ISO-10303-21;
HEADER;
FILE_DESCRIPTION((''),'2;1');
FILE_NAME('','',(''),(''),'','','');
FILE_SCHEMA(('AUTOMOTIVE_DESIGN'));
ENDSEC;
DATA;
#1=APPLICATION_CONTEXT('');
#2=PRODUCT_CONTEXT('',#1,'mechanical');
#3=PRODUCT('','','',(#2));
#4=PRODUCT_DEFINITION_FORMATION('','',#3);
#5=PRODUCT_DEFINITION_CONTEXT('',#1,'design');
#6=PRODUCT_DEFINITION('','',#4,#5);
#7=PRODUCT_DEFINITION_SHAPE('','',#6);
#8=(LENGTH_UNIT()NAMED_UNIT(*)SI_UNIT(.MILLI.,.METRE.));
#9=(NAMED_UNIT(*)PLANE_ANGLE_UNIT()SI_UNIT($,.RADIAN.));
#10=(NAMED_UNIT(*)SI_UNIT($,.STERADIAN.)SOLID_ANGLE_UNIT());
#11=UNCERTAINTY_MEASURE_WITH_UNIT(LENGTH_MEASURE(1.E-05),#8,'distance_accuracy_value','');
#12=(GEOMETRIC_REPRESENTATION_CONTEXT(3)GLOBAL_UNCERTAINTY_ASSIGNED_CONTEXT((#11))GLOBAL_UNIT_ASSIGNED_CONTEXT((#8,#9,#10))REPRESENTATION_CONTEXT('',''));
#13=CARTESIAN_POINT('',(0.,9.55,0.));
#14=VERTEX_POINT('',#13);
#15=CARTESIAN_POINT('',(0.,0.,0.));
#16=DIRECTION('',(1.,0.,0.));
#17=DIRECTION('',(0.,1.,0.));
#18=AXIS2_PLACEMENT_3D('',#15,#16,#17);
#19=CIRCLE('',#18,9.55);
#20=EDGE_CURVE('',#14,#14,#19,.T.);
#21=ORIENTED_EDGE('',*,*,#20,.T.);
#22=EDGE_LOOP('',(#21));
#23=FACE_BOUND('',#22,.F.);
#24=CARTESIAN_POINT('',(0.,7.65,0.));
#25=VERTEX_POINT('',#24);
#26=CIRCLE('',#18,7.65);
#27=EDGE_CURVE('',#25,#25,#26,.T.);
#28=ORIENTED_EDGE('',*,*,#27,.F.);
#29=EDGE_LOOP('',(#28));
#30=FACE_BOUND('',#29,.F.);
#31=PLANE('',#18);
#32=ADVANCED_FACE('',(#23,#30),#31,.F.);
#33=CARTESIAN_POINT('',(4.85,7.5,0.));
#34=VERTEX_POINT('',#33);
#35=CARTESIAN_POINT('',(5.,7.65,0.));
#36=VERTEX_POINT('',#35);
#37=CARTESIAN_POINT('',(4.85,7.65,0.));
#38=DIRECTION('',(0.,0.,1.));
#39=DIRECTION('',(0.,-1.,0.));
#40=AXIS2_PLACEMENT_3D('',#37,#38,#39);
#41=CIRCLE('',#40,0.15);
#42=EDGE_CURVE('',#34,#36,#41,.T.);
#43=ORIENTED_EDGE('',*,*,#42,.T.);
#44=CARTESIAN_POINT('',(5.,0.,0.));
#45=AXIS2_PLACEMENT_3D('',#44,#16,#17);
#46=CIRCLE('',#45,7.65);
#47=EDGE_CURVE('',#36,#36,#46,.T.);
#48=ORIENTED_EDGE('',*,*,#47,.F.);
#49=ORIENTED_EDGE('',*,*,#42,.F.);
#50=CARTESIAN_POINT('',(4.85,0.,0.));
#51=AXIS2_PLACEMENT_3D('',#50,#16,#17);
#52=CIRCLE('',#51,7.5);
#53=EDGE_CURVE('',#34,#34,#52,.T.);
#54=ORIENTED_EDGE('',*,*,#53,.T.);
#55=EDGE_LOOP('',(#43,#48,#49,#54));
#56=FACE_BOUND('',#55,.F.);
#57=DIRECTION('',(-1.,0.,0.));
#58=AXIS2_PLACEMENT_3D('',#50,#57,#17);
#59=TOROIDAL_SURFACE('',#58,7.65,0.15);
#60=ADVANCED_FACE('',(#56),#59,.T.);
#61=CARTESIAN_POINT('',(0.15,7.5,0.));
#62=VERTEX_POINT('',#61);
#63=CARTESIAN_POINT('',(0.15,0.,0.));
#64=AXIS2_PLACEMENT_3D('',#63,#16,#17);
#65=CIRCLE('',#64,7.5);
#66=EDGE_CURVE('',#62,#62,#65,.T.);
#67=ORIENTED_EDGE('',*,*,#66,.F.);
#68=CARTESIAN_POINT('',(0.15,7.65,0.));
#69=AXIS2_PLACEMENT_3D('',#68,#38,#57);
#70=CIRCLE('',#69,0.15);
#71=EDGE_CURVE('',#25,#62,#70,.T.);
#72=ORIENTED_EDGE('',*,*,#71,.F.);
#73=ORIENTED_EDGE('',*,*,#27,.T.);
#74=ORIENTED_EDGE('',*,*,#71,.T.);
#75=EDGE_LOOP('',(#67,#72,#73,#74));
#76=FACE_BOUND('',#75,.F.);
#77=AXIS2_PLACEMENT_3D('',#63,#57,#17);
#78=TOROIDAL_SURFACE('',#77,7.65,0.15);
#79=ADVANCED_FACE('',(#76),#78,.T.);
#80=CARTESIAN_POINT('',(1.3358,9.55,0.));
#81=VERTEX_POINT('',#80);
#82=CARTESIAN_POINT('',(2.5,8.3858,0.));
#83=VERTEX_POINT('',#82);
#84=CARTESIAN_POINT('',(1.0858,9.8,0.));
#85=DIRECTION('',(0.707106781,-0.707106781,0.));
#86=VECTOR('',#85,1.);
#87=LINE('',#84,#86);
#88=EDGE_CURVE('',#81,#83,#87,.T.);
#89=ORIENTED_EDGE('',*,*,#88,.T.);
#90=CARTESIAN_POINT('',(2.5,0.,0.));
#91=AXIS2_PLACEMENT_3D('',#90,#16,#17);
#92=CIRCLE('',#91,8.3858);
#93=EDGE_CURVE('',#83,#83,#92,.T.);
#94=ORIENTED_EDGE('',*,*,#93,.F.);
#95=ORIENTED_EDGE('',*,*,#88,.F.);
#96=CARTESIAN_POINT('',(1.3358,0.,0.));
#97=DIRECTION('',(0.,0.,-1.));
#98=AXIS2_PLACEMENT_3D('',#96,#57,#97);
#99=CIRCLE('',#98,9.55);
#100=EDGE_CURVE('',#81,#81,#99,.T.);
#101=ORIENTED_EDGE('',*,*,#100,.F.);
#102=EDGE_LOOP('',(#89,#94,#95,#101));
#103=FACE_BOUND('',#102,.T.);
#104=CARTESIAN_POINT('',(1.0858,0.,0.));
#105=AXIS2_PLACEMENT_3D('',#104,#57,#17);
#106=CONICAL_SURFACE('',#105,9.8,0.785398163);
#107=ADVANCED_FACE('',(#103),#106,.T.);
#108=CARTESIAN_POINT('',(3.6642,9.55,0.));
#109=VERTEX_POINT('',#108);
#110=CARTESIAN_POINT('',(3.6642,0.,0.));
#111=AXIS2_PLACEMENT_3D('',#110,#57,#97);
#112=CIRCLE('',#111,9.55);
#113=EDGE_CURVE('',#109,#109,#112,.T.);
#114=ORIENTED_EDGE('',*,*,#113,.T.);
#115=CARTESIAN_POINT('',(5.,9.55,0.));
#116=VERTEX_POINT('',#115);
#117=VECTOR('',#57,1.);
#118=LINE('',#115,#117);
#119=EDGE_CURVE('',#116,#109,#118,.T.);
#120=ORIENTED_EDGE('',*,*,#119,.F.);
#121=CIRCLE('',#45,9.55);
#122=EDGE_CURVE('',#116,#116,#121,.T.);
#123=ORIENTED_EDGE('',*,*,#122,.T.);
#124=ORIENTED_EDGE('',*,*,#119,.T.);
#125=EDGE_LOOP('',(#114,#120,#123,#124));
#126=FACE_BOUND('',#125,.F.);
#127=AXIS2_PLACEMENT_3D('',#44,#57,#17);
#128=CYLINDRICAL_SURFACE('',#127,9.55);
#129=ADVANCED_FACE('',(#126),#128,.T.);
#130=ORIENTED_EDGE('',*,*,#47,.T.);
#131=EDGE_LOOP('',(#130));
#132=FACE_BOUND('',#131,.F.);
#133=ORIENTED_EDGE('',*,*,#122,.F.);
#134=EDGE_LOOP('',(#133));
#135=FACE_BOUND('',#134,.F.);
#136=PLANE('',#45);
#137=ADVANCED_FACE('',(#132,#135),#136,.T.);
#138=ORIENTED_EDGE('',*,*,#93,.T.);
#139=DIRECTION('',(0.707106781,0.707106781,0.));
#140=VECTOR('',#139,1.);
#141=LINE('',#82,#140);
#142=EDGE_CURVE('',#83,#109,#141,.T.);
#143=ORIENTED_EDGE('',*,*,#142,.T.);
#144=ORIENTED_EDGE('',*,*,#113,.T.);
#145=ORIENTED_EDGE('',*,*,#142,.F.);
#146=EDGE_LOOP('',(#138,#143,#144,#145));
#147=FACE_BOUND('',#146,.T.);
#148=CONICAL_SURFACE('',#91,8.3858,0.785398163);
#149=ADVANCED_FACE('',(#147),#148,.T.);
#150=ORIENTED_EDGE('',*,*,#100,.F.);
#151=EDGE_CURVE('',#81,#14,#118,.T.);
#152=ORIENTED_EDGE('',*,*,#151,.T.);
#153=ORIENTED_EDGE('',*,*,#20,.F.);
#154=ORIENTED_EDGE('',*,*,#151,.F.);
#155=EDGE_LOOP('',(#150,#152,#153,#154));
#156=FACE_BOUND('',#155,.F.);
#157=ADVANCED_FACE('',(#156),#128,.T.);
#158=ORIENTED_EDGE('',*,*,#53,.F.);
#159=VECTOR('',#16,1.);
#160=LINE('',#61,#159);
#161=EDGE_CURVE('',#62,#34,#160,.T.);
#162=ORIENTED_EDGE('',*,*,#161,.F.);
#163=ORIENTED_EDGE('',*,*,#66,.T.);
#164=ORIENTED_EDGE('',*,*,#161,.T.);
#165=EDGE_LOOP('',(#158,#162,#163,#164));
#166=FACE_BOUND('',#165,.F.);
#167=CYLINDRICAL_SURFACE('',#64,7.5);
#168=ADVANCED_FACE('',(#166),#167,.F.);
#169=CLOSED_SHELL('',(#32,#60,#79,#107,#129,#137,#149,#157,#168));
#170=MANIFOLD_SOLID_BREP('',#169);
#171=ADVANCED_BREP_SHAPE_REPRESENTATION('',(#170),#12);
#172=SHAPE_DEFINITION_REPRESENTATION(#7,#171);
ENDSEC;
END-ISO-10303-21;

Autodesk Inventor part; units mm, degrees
ref_plane "YZ Plane" through (0, 0, 0) normal (1, 0, 0) x (0, 1, 0)
ref_plane "XZ Plane" through (0, 0, 0) normal (0, 1, 0) x (-1, 0, 0)
ref_plane "XY Plane" through (0, 0, 0) normal (0, 0, 1) x (1, 0, 0)
sketch "Sketch_1" plane through (0, 0, 0) normal (0, 0, 1) x (1, 0, 0)
  line L0 (5, 0) -> (0, 0)
  arc A0 (0, 7.65) -> (0.15, 7.5) centre (0.15, 7.65) ccw
  line L1 (0.15, 7.5) -> (4.85, 7.5)
  arc A1 (4.85, 7.5) -> (5, 7.65) centre (4.85, 7.65) ccw
  line L2 (5, 7.65) -> (5, 9.55)
  line L3 (5, 9.55) -> (0, 9.55)
  line L4 (0, 9.55) -> (0, 7.65)
revolve "Revolution1" add sketch "Sketch_1" angle 360 about axis through (5, 0, 0) along (1, 0, 0)
sketch "Sketch_2" plane through (0, 0, 0) normal (0, 0, 1) x (1, 0, 0)
  line L0 (3.5, 0) -> (1.5, 0)
  line L1 (1.0858, 9.8) -> (2.5, 8.3858)
  line L2 (2.5, 8.3858) -> (3.9142, 9.8)
  line L3 (3.9142, 9.8) -> (2.5, 11.2142)
  line L4 (2.5, 11.2142) -> (1.0858, 9.8)
revolve "Revolution2" cut sketch "Sketch_2" angle 360 about axis through (3.5, 0, 0) along (1, 0, 0)
properties part number "CRBT155A_PART1" material "ステンレス鋼"
